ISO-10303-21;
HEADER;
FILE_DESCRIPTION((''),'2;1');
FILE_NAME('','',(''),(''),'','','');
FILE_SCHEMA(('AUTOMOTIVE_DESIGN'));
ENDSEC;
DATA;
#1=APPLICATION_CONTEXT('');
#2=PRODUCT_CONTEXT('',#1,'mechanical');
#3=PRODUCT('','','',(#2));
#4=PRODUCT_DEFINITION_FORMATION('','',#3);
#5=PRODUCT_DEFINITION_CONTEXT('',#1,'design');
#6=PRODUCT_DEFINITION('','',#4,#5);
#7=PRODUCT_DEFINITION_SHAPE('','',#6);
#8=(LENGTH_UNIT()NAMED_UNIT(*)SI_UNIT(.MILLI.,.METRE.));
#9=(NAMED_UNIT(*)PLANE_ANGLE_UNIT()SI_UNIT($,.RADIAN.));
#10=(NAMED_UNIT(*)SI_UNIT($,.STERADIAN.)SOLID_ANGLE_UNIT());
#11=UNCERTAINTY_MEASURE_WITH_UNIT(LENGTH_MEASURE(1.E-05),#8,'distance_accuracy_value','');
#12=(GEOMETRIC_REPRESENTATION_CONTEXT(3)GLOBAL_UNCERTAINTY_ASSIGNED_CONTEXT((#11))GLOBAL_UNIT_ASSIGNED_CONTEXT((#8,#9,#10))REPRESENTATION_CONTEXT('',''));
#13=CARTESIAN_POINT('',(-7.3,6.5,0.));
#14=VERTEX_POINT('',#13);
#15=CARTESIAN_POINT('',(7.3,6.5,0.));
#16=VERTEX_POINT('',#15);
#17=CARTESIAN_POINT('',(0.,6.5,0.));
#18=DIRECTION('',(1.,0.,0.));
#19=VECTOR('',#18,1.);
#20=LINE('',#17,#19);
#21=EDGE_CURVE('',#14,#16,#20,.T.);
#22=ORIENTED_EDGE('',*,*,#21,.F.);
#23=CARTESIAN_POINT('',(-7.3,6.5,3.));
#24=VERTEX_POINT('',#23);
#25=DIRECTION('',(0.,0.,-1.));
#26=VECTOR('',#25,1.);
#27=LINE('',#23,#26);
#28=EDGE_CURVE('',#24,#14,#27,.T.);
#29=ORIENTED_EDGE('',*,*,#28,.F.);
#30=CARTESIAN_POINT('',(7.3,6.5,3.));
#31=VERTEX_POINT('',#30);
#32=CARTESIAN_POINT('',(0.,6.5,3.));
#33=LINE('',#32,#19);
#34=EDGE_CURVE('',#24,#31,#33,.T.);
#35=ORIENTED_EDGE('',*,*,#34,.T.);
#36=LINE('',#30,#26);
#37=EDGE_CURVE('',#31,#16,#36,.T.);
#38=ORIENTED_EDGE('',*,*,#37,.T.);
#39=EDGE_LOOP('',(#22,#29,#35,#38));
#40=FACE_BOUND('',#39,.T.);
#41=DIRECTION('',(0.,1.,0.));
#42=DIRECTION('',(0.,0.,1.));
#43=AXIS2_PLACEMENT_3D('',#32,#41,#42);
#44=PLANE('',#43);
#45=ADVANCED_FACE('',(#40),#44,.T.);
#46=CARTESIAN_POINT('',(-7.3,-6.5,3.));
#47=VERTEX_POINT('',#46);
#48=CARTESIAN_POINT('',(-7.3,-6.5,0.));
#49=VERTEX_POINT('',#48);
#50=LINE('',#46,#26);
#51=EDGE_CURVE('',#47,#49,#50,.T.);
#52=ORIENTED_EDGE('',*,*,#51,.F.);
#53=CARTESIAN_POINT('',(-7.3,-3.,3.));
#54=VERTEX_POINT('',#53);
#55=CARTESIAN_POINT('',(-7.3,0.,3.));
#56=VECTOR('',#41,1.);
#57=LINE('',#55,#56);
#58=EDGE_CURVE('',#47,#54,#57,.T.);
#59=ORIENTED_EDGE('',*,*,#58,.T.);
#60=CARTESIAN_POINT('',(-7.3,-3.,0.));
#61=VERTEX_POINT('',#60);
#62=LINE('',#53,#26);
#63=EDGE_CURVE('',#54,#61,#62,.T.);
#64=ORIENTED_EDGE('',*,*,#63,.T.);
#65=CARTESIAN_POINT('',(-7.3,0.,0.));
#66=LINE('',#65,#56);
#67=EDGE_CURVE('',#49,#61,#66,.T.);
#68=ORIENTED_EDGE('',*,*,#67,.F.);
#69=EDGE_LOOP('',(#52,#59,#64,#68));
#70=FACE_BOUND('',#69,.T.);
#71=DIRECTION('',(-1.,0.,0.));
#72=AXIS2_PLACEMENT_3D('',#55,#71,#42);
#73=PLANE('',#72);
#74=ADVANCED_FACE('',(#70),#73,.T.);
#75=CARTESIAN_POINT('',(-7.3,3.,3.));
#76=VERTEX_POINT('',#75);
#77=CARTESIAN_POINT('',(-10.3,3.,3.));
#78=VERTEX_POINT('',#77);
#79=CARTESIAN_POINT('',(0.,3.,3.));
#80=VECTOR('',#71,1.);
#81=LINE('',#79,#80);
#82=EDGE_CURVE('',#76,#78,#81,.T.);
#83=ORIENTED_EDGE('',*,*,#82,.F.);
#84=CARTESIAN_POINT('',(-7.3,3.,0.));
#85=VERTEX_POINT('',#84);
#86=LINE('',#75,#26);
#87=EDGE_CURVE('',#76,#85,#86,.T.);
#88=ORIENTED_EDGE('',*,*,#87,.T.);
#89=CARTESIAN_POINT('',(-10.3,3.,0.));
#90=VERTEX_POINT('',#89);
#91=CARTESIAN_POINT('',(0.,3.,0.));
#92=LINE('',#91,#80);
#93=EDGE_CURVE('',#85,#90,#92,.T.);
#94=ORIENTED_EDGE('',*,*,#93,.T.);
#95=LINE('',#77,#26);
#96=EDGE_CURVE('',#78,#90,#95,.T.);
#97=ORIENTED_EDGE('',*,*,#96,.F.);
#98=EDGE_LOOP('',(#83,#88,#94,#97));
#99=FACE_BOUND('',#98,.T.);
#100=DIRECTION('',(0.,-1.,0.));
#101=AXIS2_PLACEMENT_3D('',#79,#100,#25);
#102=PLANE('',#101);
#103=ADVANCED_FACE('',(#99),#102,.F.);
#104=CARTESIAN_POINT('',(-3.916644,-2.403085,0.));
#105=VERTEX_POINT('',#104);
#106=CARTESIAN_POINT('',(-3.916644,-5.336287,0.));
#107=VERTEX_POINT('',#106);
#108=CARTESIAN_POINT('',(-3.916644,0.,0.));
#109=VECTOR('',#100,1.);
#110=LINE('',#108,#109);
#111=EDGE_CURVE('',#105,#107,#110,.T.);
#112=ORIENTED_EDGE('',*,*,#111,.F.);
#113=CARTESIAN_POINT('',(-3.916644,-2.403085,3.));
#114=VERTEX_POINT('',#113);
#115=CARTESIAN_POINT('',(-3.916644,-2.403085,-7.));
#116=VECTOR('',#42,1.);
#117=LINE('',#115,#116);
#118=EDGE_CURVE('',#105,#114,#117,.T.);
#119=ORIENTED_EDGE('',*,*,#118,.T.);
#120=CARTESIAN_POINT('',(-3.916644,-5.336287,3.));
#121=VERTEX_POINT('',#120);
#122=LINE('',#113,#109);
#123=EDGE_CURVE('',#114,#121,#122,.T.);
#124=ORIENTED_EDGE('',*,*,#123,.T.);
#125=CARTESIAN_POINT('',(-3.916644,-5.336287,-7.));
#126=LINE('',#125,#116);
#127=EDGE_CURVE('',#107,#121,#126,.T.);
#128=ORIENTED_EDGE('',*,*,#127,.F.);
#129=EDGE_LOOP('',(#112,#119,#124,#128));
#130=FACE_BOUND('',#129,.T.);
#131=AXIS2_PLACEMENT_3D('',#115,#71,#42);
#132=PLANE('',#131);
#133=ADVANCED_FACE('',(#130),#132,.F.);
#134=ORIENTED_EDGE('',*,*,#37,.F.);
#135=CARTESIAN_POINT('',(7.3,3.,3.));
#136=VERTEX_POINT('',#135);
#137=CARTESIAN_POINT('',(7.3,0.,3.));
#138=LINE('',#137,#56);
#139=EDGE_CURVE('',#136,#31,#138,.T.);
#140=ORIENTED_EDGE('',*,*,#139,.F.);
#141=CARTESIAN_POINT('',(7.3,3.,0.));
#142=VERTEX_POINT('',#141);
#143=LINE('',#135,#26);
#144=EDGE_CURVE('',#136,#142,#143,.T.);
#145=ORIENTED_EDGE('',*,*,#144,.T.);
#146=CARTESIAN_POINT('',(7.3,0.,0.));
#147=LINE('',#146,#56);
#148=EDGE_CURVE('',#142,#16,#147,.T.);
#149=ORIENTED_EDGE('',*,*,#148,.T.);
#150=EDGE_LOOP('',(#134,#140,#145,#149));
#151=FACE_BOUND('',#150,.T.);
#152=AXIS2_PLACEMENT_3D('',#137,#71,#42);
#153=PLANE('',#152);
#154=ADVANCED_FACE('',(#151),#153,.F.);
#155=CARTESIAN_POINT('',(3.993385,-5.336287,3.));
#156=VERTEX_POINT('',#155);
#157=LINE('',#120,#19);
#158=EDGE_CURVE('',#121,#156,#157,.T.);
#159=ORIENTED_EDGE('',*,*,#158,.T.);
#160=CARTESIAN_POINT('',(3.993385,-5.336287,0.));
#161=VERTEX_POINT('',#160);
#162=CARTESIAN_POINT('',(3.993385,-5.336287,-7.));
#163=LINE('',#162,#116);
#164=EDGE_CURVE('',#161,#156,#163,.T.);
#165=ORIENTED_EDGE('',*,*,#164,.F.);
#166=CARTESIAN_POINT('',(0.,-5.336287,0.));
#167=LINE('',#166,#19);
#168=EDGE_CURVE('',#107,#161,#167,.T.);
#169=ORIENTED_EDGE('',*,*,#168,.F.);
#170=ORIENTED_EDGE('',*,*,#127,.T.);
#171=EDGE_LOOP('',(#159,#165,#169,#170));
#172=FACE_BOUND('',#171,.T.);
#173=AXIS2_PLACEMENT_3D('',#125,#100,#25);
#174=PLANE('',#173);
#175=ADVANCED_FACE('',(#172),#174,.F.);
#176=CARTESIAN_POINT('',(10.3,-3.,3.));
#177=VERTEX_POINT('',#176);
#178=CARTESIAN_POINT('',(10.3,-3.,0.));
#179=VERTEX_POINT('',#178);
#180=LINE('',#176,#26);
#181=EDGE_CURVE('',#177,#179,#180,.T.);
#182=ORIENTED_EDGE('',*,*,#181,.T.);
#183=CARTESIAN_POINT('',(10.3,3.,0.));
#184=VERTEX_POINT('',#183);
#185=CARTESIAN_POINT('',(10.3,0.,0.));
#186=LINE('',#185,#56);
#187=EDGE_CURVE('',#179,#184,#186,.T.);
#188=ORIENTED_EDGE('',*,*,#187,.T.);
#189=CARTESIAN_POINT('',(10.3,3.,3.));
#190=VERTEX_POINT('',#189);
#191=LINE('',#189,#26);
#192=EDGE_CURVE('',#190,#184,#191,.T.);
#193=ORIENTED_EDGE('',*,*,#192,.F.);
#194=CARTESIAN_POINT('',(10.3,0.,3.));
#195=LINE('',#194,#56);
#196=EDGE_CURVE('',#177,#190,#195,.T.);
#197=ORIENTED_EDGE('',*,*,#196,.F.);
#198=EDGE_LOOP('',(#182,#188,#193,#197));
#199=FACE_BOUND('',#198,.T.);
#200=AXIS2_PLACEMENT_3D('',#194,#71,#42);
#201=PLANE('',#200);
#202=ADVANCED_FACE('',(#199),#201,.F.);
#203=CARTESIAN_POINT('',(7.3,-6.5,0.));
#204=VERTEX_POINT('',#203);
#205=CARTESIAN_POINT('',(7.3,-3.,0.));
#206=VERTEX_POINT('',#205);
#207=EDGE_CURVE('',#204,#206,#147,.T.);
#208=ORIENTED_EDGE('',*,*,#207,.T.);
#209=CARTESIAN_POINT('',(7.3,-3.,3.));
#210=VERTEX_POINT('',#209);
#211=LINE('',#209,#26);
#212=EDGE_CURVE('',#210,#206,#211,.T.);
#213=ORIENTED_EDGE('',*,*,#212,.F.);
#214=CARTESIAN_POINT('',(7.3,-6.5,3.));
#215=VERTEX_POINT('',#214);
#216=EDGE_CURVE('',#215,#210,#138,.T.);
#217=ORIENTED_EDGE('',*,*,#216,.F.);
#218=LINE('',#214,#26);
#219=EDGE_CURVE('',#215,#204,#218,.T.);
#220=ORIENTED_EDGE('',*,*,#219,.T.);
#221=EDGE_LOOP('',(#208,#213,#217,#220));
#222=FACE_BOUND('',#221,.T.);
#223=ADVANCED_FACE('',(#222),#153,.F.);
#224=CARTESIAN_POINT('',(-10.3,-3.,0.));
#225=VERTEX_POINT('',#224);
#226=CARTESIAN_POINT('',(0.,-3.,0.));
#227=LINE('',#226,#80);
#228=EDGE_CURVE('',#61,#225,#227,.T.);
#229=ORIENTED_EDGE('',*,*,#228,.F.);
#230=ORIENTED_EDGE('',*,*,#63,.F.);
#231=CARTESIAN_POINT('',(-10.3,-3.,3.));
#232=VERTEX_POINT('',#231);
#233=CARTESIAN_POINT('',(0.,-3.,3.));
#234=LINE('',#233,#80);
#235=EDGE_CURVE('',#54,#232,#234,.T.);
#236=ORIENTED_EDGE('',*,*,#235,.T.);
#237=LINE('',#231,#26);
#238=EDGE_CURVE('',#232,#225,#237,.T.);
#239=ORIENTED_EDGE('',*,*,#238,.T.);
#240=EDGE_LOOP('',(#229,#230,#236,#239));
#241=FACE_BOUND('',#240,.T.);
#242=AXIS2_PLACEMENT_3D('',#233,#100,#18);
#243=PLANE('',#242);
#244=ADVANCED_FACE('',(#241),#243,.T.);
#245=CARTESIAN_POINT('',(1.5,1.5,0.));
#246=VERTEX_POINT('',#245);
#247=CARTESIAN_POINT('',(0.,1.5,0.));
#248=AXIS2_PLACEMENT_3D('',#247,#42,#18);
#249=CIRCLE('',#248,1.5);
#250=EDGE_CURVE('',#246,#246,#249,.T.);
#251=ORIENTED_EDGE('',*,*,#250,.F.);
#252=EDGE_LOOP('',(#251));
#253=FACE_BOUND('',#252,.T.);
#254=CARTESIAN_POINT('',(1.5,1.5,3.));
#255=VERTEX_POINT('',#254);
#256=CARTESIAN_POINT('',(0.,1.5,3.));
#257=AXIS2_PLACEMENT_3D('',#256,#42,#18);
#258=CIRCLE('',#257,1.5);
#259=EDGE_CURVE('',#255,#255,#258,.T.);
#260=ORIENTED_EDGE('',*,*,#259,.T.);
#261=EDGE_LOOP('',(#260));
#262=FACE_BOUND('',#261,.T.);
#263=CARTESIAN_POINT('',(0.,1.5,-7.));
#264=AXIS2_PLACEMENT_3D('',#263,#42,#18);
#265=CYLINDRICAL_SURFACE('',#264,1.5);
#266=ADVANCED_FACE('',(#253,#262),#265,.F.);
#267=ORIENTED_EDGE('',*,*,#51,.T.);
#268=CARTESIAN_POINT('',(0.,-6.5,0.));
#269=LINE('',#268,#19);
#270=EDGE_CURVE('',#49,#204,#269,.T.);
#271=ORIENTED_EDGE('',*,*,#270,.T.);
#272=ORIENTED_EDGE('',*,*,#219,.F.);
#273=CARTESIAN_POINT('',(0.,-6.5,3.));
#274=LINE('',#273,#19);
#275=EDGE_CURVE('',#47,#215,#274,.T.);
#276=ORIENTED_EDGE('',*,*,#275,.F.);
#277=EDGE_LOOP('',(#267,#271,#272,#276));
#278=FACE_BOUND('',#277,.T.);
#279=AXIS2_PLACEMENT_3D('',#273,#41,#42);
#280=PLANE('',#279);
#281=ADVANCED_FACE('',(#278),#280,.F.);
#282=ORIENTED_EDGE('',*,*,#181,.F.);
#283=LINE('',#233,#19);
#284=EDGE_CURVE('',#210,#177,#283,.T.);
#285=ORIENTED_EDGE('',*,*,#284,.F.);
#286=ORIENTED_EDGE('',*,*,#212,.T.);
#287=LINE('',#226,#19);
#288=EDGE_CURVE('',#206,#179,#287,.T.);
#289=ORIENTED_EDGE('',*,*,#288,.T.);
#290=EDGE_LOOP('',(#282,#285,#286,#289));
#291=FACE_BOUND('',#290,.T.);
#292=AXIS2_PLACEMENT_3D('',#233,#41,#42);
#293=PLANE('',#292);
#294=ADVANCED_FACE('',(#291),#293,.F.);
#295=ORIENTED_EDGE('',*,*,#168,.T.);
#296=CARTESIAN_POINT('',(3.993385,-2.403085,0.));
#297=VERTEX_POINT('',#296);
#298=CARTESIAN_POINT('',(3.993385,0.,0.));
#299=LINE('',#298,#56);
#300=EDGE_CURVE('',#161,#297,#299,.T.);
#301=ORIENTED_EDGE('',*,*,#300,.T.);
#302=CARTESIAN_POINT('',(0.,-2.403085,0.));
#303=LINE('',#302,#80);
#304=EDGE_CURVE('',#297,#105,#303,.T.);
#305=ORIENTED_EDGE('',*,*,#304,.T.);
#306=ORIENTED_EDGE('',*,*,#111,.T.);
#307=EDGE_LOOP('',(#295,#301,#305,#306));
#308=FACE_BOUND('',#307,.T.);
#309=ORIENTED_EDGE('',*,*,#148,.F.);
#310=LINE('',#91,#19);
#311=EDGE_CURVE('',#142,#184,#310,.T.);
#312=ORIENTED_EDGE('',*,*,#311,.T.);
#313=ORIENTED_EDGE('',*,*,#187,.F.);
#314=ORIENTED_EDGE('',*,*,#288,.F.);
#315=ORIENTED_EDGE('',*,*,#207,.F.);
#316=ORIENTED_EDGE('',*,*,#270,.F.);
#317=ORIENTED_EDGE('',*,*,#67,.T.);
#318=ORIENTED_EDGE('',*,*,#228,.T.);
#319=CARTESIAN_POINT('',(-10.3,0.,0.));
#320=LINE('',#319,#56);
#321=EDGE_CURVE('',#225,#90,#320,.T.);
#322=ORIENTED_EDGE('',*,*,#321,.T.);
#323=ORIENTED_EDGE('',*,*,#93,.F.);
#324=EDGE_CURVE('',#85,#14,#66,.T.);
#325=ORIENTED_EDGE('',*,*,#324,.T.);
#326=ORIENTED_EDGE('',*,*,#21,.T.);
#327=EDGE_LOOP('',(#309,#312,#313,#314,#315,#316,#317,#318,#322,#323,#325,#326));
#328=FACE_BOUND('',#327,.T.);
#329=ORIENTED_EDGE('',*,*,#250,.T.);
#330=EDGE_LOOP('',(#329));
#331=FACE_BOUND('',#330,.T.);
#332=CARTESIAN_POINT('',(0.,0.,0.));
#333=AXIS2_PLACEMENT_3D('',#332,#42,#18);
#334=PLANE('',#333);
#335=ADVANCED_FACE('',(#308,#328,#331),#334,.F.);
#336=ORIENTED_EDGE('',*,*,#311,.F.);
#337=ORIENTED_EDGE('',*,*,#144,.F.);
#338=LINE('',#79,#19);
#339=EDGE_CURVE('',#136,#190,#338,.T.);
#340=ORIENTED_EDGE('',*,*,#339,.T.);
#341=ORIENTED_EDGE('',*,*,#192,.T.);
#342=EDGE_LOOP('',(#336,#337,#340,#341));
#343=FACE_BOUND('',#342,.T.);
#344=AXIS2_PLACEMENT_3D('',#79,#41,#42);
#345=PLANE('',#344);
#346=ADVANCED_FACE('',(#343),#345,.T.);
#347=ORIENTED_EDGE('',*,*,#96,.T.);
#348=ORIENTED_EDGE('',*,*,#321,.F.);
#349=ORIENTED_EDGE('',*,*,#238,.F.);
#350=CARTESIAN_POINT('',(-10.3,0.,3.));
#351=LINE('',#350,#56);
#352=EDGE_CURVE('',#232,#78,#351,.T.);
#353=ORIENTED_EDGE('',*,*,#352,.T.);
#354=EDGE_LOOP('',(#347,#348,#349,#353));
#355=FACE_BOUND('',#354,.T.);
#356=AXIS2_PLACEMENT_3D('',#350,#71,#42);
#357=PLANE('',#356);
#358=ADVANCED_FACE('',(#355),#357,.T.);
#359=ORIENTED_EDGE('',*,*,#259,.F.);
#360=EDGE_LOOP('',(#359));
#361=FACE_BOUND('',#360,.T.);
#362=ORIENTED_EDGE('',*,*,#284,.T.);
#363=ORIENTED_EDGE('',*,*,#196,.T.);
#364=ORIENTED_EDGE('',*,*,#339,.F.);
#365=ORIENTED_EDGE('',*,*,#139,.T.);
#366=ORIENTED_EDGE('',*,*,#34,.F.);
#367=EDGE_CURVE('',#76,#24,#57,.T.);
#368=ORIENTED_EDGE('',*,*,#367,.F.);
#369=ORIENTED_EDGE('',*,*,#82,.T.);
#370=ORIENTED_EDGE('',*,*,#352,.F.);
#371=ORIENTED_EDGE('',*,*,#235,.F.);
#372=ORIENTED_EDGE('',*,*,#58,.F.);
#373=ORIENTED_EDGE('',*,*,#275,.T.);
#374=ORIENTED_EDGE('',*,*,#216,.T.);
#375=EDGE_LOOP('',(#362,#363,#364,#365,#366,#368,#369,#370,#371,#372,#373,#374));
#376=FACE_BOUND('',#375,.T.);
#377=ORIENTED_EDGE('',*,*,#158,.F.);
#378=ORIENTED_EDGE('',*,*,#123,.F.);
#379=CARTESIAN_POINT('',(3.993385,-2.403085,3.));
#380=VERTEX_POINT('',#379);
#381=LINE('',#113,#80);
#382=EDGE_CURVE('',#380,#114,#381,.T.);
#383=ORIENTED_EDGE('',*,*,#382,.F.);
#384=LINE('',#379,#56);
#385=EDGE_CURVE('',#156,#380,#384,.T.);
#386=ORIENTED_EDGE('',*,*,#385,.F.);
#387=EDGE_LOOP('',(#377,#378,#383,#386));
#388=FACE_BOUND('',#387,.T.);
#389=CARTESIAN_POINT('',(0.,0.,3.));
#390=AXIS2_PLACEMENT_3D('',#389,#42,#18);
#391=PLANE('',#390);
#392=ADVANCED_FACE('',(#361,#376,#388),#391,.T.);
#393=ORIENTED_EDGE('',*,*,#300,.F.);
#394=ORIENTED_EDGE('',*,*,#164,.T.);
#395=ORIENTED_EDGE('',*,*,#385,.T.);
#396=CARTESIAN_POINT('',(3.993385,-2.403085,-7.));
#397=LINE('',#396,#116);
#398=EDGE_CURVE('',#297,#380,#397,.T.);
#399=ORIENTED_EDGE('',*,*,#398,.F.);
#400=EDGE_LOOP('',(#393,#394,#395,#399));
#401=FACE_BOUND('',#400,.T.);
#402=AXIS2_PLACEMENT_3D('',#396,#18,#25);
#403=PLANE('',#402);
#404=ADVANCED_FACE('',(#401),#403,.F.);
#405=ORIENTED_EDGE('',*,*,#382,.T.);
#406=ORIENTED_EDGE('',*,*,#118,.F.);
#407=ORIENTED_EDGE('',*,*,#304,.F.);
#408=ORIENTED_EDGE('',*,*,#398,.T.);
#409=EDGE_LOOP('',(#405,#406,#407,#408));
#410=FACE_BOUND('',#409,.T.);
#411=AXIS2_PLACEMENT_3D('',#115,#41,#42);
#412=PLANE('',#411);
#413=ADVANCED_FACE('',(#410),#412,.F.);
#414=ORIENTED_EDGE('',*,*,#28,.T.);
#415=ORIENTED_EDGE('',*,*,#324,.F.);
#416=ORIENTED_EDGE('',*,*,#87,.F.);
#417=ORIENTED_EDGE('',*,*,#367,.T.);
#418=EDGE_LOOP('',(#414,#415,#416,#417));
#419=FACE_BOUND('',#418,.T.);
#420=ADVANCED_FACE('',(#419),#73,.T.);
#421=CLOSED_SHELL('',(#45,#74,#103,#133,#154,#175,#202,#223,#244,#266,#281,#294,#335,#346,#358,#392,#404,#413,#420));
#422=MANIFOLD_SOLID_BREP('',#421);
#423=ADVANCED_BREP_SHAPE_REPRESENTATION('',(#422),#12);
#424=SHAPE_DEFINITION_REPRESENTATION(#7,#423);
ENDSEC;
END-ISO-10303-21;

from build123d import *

# Parameters (mm, degrees)
CROQUIS1_W              = 14.6
CROQUIS1_H              = 13
CROQUIS1_W_2            = 3
CROQUIS1_H_2            = 6
SALIENTE_EXTRUIR1_DEPTH = 3
CROQUIS2_R              = 1.5
CROQUIS2_W              = 7.910028885
CROQUIS2_H              = 2.9332022
CORTAR_EXTRUIR1_DEPTH   = 10


with BuildPart() as part:
    # Croquis1 → Saliente-Extruir1 (new body)
    with BuildSketch(Plane.XY):
        Rectangle(CROQUIS1_W, CROQUIS1_H)
        with Locations((-8.8, 0)):
            Rectangle(CROQUIS1_W_2, CROQUIS1_H_2)
        with Locations((8.8, 0)):
            Rectangle(CROQUIS1_W_2, CROQUIS1_H_2)
    extrude(amount=SALIENTE_EXTRUIR1_DEPTH)

    # Croquis2 → Cortar-Extruir1 (cut)
    with BuildSketch(Plane.XY.offset(3)):
        with Locations((0, 1.5)):
            Circle(CROQUIS2_R)
        with Locations((0.038370941, -3.869685697)):
            Rectangle(CROQUIS2_W, CROQUIS2_H)
    extrude(amount=-CORTAR_EXTRUIR1_DEPTH, mode=Mode.SUBTRACT)


solid = part.part
